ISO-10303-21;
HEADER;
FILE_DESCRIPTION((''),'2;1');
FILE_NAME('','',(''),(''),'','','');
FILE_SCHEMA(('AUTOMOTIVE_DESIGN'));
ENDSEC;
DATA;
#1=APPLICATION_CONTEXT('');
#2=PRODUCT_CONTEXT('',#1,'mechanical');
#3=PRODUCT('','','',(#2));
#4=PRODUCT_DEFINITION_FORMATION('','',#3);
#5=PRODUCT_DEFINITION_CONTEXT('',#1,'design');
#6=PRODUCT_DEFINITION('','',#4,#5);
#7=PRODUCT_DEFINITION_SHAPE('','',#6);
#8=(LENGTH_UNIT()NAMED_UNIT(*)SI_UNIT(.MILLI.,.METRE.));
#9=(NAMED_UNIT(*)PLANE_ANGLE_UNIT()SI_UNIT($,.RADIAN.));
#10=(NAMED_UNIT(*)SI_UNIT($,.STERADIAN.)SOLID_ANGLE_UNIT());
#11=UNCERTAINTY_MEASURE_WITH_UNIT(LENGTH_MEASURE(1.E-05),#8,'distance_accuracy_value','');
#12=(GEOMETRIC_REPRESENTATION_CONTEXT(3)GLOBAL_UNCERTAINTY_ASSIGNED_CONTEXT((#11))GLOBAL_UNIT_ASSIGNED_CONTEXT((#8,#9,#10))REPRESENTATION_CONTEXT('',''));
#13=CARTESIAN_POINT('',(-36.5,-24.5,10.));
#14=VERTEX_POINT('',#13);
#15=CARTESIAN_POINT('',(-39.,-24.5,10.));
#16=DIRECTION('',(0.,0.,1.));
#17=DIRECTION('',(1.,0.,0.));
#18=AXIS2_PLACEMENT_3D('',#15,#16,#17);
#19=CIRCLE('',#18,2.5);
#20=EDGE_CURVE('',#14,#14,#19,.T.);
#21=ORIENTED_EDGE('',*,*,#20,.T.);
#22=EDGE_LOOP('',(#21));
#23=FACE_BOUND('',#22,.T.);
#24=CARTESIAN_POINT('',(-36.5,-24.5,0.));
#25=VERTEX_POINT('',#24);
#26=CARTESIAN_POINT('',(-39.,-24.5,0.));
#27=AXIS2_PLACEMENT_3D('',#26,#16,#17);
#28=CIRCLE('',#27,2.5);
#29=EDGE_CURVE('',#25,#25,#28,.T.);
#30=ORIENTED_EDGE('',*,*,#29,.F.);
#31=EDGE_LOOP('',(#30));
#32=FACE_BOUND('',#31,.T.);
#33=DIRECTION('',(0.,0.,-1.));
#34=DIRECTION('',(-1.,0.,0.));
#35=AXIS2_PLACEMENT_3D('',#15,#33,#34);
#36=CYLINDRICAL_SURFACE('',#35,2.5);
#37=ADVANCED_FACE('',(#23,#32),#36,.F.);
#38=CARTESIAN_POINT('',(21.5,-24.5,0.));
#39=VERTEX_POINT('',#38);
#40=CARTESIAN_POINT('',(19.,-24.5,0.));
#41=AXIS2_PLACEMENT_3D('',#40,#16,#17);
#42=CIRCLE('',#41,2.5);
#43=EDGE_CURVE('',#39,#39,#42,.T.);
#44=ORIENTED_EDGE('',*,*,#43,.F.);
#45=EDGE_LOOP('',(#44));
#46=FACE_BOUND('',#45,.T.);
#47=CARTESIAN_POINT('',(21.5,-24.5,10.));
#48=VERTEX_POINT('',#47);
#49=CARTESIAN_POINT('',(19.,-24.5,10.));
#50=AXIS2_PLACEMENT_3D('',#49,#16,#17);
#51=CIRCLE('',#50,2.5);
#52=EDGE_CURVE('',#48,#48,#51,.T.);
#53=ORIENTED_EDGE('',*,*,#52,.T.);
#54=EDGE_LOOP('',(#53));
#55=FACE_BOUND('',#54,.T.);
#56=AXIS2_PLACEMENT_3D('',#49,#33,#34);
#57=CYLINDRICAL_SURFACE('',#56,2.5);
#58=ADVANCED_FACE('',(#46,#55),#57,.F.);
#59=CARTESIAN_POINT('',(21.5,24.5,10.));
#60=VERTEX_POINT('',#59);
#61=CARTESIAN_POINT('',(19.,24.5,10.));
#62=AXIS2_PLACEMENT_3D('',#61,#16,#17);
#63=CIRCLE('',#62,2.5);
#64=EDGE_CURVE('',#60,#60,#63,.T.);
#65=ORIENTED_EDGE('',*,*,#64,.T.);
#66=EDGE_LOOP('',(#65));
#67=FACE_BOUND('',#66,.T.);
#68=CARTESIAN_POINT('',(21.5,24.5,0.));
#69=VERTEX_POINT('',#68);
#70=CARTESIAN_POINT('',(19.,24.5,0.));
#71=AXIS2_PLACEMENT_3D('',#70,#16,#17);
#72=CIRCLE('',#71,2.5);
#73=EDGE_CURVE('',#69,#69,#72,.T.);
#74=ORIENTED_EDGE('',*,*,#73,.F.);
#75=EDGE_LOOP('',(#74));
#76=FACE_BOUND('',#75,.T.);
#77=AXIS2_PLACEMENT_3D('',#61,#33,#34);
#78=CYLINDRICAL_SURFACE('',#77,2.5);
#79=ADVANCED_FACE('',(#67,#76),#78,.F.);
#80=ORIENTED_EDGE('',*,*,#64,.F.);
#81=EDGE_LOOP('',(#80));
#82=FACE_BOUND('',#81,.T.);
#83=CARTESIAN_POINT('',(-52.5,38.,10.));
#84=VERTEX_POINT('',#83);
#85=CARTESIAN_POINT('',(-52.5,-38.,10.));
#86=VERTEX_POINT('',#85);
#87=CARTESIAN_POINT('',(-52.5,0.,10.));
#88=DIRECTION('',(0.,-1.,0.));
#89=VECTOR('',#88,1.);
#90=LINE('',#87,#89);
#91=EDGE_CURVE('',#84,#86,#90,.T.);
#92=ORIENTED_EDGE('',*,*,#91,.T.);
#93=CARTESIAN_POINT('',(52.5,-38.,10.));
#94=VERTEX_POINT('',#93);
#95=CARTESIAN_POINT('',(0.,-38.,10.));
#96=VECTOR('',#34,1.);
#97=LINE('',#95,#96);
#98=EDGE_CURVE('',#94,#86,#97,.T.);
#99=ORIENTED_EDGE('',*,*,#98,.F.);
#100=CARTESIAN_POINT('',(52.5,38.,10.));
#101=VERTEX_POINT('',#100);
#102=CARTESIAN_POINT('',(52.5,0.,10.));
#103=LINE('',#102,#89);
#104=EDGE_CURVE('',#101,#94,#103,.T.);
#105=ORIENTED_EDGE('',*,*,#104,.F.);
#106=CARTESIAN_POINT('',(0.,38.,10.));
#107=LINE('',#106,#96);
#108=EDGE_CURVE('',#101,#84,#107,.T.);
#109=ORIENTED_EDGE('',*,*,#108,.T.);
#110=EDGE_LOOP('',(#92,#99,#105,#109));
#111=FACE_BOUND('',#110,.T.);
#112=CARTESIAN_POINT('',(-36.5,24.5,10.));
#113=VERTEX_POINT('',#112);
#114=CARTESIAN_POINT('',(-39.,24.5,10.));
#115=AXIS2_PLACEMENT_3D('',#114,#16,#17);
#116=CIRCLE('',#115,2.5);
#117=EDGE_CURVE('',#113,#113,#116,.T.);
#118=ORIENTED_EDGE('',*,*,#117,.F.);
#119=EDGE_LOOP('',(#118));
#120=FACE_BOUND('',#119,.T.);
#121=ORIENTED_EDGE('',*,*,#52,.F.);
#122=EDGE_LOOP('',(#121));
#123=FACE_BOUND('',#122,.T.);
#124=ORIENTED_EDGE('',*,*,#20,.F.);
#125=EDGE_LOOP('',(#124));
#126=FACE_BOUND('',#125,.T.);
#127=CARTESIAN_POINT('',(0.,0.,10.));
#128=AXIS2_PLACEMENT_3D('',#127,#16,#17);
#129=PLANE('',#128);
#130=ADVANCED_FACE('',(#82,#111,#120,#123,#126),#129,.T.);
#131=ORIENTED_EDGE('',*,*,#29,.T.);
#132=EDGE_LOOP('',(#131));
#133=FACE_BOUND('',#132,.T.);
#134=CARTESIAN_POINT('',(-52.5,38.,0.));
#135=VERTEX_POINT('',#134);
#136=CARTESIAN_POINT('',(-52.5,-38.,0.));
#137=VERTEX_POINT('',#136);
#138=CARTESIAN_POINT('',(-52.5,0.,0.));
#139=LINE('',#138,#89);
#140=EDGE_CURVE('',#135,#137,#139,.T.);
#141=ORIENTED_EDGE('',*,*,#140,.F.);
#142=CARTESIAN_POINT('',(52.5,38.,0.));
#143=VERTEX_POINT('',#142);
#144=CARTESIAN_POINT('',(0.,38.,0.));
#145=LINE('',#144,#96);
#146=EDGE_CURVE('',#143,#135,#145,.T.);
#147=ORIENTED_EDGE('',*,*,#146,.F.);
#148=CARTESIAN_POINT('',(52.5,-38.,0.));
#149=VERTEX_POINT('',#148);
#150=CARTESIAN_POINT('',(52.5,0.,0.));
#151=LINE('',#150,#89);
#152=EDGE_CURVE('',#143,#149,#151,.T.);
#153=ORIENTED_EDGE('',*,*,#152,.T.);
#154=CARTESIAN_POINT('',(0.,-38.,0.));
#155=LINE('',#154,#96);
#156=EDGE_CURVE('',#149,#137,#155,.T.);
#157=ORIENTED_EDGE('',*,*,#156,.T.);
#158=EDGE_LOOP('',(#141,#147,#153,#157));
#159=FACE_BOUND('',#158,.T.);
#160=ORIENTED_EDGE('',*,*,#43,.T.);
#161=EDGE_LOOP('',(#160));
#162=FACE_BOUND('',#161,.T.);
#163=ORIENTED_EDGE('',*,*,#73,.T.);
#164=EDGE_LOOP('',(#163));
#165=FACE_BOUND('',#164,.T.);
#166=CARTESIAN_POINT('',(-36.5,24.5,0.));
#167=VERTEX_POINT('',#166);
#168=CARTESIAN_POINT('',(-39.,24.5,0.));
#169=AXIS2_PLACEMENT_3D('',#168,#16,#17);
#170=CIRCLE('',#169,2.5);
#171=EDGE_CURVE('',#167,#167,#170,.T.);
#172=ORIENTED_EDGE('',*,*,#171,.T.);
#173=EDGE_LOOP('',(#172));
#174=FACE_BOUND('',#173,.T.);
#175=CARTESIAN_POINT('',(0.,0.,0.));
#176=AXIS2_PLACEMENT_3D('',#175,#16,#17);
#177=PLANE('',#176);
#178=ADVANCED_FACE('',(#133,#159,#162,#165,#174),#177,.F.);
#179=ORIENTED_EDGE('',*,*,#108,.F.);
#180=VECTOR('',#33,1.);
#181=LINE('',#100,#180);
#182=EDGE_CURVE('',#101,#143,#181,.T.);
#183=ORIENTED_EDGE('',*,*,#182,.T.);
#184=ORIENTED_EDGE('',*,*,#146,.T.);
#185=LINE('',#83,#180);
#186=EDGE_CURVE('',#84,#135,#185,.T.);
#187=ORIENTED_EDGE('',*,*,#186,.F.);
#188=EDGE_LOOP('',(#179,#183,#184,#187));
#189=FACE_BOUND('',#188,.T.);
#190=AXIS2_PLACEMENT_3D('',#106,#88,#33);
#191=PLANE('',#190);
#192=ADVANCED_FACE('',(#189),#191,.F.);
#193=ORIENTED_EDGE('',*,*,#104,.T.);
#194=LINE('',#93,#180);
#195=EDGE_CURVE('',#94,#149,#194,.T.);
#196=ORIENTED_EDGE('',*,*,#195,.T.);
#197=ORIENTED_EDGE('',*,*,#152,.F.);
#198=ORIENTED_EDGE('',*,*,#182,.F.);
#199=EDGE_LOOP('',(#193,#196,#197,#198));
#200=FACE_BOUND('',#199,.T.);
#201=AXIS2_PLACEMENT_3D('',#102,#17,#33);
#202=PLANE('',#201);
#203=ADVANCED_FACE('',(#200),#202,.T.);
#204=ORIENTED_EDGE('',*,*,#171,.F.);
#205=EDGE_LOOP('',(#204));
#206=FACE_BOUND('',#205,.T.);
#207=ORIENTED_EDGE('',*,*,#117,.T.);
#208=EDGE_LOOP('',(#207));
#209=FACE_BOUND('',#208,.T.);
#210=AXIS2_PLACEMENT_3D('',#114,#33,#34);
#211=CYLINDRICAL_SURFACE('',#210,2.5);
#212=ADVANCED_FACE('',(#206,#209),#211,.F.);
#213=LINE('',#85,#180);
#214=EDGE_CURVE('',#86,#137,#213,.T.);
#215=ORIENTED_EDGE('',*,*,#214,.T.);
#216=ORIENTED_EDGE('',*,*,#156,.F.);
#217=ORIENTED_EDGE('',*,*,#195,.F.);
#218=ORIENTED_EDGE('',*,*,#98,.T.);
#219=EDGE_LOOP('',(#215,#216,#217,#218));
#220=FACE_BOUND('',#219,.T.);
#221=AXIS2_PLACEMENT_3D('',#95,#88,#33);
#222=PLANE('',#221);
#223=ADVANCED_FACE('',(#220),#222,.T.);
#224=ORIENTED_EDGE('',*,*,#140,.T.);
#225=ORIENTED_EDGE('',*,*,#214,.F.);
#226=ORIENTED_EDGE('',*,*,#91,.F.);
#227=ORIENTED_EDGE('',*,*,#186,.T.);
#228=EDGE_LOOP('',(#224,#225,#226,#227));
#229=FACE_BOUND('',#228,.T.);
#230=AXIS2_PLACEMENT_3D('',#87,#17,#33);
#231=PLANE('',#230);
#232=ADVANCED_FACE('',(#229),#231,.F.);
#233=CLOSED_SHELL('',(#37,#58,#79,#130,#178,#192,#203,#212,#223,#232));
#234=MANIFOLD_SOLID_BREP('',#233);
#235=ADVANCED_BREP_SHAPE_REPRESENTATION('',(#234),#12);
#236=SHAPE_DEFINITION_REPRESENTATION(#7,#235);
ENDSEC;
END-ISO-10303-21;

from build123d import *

# Parameters (mm, degrees)
SKETCH1_W           = 105
SKETCH1_H           = 76
SKETCH1_W_2         = 85
SKETCH1_H_2         = 56
SKETCH1_R           = 2.5
BOSS_EXTRUDE1_DEPTH = 10


with BuildPart() as part:
    # Sketch1 → Boss-Extrude1 (new body)
    with BuildSketch(Plane.XY):
        Rectangle(SKETCH1_W, SKETCH1_H)
        Rectangle(SKETCH1_W_2, SKETCH1_H_2, mode=Mode.SUBTRACT)
        Rectangle(SKETCH1_W_2, SKETCH1_H_2)
        with Locations((-39, -24.5)):
            Circle(SKETCH1_R, mode=Mode.SUBTRACT)
        with Locations((19, -24.5)):
            Circle(SKETCH1_R, mode=Mode.SUBTRACT)
        with Locations((-39, 24.5)):
            Circle(SKETCH1_R, mode=Mode.SUBTRACT)
        with Locations((19, 24.5)):
            Circle(SKETCH1_R, mode=Mode.SUBTRACT)
    extrude(amount=BOSS_EXTRUDE1_DEPTH)


solid = part.part
